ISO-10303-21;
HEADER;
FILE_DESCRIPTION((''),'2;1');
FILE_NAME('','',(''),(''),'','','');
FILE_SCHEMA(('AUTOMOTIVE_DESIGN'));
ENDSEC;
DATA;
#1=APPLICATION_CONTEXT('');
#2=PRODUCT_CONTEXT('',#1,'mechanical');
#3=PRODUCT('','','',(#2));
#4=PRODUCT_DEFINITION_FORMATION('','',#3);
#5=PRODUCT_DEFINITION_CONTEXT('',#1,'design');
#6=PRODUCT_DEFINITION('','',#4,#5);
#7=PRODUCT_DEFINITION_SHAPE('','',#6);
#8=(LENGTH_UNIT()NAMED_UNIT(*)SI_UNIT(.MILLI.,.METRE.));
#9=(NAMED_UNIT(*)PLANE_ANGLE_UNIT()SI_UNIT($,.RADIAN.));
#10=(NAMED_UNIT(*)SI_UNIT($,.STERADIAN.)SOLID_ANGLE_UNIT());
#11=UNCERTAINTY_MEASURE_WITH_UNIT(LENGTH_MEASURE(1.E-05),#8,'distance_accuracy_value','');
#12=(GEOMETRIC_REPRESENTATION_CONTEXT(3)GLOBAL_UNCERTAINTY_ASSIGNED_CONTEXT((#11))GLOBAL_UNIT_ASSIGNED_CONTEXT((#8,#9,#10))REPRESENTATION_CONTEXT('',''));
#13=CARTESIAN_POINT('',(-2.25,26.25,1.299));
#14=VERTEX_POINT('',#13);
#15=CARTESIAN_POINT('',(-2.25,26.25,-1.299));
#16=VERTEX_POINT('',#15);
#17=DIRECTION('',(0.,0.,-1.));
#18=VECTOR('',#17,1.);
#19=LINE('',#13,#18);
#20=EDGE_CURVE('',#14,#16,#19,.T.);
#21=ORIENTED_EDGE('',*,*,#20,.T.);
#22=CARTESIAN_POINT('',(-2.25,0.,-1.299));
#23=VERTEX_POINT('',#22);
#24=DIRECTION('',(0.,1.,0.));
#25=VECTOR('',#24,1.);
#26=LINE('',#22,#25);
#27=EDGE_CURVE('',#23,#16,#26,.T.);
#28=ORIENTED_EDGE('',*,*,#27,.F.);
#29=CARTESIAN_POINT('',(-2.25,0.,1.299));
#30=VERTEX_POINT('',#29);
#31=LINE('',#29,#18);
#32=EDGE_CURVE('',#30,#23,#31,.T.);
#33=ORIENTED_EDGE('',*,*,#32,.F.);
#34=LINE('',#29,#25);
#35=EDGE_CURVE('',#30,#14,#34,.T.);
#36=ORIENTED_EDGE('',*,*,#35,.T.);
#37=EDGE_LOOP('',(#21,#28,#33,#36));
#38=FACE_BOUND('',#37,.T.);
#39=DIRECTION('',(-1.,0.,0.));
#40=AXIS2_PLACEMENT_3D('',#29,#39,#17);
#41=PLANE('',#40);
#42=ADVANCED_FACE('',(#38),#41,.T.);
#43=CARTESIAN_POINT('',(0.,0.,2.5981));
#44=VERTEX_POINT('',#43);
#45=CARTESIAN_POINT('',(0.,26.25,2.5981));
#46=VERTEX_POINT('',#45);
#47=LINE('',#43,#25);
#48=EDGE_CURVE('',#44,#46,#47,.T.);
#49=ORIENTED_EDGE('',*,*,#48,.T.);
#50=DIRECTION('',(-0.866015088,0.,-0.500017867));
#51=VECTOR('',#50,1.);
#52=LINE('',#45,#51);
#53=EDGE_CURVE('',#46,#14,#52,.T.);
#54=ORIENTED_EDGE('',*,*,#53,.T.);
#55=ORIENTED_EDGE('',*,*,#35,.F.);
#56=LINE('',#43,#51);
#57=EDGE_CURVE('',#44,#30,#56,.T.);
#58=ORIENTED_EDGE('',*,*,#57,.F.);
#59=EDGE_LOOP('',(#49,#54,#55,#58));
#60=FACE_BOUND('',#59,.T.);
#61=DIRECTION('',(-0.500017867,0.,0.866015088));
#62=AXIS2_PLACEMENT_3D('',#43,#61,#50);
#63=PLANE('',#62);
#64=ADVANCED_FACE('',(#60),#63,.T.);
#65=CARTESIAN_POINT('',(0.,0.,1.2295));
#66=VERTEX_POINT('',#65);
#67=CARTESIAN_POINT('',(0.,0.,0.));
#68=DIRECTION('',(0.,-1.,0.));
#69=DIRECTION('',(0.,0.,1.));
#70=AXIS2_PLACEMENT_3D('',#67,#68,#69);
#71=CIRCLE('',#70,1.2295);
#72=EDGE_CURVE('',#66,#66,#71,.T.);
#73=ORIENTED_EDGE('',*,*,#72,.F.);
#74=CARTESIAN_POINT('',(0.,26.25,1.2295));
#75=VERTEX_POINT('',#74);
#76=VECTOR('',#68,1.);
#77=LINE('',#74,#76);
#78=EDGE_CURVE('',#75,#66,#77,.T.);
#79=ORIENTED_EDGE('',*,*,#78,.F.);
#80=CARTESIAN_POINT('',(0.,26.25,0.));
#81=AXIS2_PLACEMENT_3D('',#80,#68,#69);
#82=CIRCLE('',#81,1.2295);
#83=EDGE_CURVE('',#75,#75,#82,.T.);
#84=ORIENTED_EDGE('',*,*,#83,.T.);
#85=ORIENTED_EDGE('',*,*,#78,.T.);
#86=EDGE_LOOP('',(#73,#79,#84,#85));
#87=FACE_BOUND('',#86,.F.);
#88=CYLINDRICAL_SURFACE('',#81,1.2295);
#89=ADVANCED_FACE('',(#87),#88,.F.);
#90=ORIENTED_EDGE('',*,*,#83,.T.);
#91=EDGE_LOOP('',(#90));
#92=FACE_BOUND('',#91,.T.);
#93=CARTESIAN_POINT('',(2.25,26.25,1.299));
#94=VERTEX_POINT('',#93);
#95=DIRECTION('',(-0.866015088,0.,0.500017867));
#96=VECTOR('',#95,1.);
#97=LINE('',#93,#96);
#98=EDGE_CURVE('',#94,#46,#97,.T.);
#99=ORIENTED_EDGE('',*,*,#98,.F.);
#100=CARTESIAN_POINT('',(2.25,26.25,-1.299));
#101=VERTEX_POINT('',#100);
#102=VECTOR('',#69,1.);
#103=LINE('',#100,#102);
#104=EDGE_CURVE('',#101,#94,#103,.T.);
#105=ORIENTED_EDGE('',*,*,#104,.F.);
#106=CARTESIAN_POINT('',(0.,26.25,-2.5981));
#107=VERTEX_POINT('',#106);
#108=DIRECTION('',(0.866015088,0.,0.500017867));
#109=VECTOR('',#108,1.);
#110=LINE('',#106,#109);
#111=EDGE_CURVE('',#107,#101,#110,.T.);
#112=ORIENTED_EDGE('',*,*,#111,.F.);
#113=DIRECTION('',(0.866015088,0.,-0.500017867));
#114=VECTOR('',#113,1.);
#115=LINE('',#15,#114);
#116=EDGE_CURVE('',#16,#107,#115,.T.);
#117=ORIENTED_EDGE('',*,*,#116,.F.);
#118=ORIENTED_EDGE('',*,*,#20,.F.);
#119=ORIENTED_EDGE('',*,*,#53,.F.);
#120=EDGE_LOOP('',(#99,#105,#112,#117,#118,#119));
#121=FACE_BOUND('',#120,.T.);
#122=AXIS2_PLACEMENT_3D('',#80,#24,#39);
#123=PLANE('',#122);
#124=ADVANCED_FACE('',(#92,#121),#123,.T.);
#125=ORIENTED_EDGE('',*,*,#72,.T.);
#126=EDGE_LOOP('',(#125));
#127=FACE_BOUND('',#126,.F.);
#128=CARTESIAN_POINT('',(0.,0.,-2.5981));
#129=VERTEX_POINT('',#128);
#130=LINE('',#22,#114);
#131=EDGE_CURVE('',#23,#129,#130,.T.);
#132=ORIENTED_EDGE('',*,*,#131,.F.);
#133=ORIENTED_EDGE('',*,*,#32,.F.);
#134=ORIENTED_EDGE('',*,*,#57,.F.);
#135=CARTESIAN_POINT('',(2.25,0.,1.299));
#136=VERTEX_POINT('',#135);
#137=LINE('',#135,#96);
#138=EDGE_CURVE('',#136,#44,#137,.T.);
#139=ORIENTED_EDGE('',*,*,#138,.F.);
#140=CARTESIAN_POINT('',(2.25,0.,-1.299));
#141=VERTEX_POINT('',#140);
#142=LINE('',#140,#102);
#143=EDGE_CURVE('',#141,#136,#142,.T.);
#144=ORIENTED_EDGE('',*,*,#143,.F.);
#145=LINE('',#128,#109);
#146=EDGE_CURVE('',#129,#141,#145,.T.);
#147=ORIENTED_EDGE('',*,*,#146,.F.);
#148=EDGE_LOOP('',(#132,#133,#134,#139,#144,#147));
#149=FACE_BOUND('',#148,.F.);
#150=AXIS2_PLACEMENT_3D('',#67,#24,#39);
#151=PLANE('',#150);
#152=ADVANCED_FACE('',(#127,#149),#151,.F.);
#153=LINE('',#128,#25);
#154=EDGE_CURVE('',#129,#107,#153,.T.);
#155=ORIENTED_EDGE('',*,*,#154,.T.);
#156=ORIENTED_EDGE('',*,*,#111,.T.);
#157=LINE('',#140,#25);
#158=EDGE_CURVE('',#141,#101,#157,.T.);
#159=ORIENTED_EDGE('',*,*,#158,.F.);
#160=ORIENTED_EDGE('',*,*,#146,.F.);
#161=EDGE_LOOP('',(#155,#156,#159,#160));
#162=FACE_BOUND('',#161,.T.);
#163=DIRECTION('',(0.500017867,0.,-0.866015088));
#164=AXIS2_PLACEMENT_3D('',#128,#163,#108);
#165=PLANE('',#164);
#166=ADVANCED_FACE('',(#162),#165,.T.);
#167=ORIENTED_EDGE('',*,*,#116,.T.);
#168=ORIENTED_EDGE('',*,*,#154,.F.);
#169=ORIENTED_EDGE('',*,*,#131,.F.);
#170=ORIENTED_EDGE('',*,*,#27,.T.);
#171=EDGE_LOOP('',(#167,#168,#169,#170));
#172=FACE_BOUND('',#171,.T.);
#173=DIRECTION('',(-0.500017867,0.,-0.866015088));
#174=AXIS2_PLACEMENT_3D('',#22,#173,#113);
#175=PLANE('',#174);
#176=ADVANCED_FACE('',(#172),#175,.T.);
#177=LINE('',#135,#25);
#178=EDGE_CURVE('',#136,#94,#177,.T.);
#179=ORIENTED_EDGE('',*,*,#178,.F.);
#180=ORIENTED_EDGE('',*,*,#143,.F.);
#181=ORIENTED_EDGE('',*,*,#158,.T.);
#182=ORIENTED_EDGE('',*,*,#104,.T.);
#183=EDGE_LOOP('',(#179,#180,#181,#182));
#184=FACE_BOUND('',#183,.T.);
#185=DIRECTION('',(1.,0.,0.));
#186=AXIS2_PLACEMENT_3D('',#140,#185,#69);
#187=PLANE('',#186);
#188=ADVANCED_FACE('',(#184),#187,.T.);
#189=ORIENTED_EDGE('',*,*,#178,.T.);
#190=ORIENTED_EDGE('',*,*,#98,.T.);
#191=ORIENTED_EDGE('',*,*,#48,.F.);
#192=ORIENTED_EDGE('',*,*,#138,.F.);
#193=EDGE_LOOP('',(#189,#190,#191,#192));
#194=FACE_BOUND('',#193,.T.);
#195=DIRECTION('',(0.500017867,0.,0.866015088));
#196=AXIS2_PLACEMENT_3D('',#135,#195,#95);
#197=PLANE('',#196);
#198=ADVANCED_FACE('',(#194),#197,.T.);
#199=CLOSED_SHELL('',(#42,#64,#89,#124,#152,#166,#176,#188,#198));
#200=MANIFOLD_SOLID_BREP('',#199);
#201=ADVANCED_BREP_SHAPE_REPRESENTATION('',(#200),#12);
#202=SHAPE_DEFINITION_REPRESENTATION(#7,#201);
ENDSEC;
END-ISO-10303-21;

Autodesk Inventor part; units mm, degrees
ref_plane "YZ Plane" through (0, 0, 0) normal (1, 0, 0) x (0, 1, 0)
ref_plane "XZ Plane" through (0, 0, 0) normal (0, 1, 0) x (-1, 0, 0)
ref_plane "XY Plane" through (0, 0, 0) normal (0, 0, 1) x (1, 0, 0)
sketch "Sketch1" plane through (0, 0, 0) normal (0, 1, 0) x (-1, 0, 0)
  line L0 (-2.25, -1.299) -> (-2.25, 1.299)
  line L1 (-2.25, 1.299) -> (0, 2.5981)
  line L2 (0, 2.5981) -> (2.25, 1.299)
  line L3 (2.25, 1.299) -> (2.25, -1.299)
  line L4 (2.25, -1.299) -> (0, -2.5981)
  line L5 (0, -2.5981) -> (-2.25, -1.299)
  point P0 (0, 0)
  point P1 (0, 0)
  dimension "d0" = 4.5
extrude "Extrusion1" add sketch "Sketch1" along normal blind 26.25
sketch "Sketch2" plane through (0, 26.25, 0) normal (0, 1, 0) x (1, 0, 0)
  point P0 (0, 0)
  point P1 (0, 0)
hole "Hole1" at (0, 26.25, 0) direction (0, -1, 0) diameter 2.459 end through all thread size "M3x0.5" class "6H" standard "ISO Metric profile"
properties part number "Standoff" material "Aluminum 6061"
